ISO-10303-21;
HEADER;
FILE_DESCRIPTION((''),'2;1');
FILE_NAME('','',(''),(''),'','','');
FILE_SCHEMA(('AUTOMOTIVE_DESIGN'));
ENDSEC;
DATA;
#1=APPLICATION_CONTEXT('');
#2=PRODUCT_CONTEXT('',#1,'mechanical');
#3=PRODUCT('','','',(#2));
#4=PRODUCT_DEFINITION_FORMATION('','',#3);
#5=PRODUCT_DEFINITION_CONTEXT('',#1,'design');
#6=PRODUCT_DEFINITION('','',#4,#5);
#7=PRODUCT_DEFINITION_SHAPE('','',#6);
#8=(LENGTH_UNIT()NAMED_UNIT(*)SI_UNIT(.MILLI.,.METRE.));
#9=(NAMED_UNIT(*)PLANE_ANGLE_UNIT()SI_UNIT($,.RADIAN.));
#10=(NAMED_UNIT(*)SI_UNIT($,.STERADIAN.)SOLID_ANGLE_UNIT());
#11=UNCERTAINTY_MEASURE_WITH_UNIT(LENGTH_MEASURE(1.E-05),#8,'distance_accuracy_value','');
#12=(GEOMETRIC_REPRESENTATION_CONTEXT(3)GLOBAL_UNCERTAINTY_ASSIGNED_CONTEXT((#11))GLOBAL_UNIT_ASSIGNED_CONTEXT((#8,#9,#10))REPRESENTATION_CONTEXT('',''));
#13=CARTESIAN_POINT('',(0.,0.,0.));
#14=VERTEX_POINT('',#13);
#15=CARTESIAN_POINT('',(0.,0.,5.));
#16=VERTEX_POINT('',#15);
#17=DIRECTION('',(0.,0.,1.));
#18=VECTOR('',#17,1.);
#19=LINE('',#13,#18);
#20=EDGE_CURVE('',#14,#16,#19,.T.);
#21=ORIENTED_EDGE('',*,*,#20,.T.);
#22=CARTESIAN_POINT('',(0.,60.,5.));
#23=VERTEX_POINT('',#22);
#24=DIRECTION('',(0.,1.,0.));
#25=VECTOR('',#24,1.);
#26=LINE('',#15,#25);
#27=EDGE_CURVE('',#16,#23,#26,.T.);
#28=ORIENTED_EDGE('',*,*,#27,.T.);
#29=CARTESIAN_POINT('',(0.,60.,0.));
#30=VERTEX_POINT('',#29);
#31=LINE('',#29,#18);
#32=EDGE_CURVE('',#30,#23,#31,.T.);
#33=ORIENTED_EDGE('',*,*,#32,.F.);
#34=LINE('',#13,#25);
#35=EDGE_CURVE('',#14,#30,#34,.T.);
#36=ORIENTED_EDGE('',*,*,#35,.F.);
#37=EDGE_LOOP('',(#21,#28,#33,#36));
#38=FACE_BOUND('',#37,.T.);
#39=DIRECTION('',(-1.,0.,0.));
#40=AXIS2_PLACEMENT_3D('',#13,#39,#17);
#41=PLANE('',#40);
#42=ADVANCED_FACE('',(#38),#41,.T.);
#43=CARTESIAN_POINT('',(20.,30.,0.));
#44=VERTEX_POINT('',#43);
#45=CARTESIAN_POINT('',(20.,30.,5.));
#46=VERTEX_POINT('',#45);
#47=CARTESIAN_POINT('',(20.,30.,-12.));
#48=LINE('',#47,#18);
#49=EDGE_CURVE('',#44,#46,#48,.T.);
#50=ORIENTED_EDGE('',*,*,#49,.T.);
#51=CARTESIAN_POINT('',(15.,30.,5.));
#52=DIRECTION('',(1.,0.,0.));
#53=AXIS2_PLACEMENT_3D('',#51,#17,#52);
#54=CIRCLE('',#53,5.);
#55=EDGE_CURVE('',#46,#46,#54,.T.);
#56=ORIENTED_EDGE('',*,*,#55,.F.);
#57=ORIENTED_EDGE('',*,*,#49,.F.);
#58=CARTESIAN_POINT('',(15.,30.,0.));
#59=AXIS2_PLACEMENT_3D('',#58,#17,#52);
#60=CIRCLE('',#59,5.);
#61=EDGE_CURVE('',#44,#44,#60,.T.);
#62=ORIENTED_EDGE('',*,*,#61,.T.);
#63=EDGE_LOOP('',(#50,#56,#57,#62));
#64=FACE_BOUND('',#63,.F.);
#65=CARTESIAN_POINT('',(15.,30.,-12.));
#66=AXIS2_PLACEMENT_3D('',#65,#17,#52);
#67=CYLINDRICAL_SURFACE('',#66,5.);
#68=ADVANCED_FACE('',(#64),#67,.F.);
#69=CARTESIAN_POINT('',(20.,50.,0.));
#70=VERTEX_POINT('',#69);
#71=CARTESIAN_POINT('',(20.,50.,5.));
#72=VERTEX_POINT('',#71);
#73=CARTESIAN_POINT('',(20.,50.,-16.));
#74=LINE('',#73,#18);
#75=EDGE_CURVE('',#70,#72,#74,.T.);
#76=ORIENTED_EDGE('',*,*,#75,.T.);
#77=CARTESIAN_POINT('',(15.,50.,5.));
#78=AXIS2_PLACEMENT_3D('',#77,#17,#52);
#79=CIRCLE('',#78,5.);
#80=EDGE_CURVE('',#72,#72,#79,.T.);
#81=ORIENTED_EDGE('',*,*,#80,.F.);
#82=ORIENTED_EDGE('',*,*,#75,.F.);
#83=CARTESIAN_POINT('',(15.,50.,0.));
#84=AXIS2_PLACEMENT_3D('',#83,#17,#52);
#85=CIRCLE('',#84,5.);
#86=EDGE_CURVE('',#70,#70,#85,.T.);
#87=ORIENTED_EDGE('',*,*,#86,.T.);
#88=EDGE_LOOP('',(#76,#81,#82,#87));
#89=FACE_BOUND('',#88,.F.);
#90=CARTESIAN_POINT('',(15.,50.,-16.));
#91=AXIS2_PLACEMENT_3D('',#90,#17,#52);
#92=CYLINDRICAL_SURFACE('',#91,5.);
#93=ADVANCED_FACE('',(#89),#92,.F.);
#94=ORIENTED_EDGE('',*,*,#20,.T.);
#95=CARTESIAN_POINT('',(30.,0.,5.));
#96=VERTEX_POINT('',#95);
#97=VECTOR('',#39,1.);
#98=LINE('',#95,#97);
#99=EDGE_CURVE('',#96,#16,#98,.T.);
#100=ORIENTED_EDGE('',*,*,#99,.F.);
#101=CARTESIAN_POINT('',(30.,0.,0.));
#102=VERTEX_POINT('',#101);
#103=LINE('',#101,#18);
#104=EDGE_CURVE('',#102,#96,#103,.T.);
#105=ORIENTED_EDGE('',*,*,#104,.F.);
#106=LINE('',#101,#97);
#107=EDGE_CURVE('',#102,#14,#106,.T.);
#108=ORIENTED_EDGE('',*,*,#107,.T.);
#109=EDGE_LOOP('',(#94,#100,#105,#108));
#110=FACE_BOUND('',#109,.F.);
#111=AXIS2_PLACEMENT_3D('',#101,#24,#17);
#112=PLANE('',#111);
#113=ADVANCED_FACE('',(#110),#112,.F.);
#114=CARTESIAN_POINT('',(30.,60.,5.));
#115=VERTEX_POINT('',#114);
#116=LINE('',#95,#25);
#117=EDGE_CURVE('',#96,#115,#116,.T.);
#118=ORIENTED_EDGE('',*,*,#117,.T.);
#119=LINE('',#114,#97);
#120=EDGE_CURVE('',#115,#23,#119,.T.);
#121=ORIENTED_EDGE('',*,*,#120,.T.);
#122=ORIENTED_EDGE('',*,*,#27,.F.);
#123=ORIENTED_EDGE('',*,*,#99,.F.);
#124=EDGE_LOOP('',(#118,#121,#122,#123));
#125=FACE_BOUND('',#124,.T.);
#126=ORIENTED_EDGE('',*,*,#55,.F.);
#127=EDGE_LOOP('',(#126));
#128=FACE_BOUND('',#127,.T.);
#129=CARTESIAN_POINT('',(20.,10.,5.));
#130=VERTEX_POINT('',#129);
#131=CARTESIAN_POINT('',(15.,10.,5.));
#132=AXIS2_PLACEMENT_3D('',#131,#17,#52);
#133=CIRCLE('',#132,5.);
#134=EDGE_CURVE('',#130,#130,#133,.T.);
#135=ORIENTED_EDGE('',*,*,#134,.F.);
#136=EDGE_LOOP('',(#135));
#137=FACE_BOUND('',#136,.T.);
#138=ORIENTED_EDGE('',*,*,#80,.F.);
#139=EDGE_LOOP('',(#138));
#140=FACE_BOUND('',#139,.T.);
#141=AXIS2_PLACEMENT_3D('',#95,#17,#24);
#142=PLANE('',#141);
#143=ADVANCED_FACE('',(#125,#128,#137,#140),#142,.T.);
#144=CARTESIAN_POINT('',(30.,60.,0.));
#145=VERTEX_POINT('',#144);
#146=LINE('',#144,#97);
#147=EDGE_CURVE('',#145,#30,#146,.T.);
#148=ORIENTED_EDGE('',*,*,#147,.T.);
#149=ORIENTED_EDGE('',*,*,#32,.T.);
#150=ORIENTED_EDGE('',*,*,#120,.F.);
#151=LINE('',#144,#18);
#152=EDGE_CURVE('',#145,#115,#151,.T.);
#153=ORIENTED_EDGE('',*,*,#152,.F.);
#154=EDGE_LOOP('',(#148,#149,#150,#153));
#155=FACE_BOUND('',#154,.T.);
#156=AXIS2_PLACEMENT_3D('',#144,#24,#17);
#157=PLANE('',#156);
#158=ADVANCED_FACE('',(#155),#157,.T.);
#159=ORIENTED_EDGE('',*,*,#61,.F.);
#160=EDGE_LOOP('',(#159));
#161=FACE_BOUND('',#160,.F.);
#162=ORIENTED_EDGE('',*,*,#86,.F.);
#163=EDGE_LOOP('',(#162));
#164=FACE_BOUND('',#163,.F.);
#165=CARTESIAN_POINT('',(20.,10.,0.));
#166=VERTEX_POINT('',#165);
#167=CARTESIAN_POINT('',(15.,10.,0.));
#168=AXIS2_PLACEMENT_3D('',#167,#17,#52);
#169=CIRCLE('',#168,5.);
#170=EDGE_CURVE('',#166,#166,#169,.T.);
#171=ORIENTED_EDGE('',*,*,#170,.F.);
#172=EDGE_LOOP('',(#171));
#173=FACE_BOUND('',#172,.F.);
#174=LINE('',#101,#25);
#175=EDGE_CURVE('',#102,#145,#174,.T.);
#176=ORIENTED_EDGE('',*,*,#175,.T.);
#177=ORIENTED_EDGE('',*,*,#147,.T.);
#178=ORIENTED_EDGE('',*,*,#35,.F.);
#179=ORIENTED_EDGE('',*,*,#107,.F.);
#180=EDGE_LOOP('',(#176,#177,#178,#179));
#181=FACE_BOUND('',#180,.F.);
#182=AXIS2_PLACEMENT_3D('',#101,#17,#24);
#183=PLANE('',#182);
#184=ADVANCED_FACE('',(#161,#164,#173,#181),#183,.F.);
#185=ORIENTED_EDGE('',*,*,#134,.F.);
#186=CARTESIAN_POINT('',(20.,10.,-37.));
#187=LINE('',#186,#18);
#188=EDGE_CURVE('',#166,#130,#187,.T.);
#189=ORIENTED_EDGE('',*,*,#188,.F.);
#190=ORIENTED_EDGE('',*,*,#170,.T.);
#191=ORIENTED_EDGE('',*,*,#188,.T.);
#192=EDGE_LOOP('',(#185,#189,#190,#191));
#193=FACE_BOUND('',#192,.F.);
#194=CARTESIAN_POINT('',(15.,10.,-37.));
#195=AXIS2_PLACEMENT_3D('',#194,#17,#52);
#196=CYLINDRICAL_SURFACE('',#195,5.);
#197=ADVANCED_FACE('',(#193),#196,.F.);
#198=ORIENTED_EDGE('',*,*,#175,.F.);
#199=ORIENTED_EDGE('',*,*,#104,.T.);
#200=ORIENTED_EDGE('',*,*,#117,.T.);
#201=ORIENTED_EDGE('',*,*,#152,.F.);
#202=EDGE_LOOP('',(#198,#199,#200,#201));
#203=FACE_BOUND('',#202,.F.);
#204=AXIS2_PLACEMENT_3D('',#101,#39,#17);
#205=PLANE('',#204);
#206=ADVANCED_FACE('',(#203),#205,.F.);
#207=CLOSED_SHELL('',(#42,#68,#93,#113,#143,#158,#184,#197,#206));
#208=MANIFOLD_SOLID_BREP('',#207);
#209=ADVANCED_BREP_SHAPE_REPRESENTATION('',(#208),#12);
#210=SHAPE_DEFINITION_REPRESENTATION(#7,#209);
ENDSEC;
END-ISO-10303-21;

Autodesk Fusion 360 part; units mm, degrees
box "Primitiva de caixa1" add length 60 width 30 height 5 placed x (0, 1, 0) y (-1, 0, 0) z (0, 0, 1) at (30, 0, 0)
cylinder "Cilindro primitivo1" cut diameter 10 height -42 placed x (1, 0, 0) y (0, 1, 0) z (0, 0, 1) at (15, 10, 5)
cylinder "Cilindro primitivo2" cut diameter 10 height -21 placed x (1, 0, 0) y (0, 1, 0) z (0, 0, 1) at (15, 50, 5)
cylinder "Cilindro primitivo3" cut diameter 10 height -17 placed x (1, 0, 0) y (0, 1, 0) z (0, 0, 1) at (15, 30, 5)
